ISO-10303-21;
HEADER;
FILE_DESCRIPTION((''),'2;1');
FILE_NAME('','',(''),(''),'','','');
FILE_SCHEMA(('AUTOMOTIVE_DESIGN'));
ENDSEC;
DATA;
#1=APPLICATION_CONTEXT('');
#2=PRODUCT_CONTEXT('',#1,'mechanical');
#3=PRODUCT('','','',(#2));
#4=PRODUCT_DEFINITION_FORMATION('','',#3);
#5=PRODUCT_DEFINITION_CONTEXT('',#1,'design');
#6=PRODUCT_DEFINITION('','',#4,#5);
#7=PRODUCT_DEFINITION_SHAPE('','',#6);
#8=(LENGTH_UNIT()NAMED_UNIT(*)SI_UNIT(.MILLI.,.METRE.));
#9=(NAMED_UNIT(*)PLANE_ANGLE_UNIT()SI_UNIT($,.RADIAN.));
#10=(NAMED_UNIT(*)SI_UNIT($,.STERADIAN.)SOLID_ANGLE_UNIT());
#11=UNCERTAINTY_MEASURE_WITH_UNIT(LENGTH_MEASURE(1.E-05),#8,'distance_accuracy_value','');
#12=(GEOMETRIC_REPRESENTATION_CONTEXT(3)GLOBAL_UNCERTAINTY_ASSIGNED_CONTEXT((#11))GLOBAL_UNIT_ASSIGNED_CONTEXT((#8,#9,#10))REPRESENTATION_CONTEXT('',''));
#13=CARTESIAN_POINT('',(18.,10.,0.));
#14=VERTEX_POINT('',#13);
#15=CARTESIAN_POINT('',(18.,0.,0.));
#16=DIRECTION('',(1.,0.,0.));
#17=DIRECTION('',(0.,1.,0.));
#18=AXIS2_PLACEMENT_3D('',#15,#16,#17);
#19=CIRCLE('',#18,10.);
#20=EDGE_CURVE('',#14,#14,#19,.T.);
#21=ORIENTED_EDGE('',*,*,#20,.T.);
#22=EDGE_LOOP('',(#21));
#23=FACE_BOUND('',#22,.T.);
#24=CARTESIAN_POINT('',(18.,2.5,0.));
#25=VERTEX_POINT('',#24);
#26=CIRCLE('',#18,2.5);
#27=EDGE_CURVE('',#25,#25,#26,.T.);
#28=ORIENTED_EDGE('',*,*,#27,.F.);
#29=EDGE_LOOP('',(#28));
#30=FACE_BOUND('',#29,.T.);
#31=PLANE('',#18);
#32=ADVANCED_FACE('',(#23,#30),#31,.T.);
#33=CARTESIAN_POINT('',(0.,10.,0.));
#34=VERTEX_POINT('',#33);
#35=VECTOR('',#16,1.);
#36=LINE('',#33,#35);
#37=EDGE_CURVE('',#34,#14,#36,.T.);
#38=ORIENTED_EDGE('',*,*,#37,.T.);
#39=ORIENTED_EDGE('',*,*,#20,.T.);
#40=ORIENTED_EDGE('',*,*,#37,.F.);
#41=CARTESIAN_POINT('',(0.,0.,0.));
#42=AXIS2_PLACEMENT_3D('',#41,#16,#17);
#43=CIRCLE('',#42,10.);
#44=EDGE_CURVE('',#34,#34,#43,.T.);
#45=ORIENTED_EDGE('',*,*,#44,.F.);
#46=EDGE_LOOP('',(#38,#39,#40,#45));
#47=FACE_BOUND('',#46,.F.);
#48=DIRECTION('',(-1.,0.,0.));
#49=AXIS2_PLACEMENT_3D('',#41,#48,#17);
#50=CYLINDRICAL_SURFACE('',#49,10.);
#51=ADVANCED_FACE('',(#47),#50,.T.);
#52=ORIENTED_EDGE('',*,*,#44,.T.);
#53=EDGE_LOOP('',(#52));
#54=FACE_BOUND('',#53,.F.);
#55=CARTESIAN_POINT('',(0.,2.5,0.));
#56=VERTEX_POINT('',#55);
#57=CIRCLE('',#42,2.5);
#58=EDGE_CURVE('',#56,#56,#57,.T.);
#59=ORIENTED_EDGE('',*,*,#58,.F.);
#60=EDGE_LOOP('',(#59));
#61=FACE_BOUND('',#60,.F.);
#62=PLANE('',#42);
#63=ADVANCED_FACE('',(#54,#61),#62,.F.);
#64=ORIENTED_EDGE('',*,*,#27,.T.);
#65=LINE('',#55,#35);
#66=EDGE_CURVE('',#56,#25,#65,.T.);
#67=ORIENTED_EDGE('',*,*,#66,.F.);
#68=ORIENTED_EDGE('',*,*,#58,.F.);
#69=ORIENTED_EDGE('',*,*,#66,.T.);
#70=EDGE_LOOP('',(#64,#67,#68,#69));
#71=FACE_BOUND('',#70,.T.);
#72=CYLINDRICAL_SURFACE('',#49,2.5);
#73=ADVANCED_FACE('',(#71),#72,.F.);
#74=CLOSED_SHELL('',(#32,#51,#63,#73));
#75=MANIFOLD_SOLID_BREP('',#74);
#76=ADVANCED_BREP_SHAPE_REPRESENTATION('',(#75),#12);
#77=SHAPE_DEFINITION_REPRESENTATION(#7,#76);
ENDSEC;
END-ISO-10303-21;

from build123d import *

# Parameters (mm, degrees)
SKETCH_R   = 10
SKETCH_R_2 = 2.5
PAD_DEPTH  = 18


with BuildPart() as part:
    # Sketch → Pad (new body)
    with BuildSketch(Plane.YZ):
        Circle(SKETCH_R)
        Circle(SKETCH_R_2, mode=Mode.SUBTRACT)
    extrude(amount=PAD_DEPTH)


solid = part.part
